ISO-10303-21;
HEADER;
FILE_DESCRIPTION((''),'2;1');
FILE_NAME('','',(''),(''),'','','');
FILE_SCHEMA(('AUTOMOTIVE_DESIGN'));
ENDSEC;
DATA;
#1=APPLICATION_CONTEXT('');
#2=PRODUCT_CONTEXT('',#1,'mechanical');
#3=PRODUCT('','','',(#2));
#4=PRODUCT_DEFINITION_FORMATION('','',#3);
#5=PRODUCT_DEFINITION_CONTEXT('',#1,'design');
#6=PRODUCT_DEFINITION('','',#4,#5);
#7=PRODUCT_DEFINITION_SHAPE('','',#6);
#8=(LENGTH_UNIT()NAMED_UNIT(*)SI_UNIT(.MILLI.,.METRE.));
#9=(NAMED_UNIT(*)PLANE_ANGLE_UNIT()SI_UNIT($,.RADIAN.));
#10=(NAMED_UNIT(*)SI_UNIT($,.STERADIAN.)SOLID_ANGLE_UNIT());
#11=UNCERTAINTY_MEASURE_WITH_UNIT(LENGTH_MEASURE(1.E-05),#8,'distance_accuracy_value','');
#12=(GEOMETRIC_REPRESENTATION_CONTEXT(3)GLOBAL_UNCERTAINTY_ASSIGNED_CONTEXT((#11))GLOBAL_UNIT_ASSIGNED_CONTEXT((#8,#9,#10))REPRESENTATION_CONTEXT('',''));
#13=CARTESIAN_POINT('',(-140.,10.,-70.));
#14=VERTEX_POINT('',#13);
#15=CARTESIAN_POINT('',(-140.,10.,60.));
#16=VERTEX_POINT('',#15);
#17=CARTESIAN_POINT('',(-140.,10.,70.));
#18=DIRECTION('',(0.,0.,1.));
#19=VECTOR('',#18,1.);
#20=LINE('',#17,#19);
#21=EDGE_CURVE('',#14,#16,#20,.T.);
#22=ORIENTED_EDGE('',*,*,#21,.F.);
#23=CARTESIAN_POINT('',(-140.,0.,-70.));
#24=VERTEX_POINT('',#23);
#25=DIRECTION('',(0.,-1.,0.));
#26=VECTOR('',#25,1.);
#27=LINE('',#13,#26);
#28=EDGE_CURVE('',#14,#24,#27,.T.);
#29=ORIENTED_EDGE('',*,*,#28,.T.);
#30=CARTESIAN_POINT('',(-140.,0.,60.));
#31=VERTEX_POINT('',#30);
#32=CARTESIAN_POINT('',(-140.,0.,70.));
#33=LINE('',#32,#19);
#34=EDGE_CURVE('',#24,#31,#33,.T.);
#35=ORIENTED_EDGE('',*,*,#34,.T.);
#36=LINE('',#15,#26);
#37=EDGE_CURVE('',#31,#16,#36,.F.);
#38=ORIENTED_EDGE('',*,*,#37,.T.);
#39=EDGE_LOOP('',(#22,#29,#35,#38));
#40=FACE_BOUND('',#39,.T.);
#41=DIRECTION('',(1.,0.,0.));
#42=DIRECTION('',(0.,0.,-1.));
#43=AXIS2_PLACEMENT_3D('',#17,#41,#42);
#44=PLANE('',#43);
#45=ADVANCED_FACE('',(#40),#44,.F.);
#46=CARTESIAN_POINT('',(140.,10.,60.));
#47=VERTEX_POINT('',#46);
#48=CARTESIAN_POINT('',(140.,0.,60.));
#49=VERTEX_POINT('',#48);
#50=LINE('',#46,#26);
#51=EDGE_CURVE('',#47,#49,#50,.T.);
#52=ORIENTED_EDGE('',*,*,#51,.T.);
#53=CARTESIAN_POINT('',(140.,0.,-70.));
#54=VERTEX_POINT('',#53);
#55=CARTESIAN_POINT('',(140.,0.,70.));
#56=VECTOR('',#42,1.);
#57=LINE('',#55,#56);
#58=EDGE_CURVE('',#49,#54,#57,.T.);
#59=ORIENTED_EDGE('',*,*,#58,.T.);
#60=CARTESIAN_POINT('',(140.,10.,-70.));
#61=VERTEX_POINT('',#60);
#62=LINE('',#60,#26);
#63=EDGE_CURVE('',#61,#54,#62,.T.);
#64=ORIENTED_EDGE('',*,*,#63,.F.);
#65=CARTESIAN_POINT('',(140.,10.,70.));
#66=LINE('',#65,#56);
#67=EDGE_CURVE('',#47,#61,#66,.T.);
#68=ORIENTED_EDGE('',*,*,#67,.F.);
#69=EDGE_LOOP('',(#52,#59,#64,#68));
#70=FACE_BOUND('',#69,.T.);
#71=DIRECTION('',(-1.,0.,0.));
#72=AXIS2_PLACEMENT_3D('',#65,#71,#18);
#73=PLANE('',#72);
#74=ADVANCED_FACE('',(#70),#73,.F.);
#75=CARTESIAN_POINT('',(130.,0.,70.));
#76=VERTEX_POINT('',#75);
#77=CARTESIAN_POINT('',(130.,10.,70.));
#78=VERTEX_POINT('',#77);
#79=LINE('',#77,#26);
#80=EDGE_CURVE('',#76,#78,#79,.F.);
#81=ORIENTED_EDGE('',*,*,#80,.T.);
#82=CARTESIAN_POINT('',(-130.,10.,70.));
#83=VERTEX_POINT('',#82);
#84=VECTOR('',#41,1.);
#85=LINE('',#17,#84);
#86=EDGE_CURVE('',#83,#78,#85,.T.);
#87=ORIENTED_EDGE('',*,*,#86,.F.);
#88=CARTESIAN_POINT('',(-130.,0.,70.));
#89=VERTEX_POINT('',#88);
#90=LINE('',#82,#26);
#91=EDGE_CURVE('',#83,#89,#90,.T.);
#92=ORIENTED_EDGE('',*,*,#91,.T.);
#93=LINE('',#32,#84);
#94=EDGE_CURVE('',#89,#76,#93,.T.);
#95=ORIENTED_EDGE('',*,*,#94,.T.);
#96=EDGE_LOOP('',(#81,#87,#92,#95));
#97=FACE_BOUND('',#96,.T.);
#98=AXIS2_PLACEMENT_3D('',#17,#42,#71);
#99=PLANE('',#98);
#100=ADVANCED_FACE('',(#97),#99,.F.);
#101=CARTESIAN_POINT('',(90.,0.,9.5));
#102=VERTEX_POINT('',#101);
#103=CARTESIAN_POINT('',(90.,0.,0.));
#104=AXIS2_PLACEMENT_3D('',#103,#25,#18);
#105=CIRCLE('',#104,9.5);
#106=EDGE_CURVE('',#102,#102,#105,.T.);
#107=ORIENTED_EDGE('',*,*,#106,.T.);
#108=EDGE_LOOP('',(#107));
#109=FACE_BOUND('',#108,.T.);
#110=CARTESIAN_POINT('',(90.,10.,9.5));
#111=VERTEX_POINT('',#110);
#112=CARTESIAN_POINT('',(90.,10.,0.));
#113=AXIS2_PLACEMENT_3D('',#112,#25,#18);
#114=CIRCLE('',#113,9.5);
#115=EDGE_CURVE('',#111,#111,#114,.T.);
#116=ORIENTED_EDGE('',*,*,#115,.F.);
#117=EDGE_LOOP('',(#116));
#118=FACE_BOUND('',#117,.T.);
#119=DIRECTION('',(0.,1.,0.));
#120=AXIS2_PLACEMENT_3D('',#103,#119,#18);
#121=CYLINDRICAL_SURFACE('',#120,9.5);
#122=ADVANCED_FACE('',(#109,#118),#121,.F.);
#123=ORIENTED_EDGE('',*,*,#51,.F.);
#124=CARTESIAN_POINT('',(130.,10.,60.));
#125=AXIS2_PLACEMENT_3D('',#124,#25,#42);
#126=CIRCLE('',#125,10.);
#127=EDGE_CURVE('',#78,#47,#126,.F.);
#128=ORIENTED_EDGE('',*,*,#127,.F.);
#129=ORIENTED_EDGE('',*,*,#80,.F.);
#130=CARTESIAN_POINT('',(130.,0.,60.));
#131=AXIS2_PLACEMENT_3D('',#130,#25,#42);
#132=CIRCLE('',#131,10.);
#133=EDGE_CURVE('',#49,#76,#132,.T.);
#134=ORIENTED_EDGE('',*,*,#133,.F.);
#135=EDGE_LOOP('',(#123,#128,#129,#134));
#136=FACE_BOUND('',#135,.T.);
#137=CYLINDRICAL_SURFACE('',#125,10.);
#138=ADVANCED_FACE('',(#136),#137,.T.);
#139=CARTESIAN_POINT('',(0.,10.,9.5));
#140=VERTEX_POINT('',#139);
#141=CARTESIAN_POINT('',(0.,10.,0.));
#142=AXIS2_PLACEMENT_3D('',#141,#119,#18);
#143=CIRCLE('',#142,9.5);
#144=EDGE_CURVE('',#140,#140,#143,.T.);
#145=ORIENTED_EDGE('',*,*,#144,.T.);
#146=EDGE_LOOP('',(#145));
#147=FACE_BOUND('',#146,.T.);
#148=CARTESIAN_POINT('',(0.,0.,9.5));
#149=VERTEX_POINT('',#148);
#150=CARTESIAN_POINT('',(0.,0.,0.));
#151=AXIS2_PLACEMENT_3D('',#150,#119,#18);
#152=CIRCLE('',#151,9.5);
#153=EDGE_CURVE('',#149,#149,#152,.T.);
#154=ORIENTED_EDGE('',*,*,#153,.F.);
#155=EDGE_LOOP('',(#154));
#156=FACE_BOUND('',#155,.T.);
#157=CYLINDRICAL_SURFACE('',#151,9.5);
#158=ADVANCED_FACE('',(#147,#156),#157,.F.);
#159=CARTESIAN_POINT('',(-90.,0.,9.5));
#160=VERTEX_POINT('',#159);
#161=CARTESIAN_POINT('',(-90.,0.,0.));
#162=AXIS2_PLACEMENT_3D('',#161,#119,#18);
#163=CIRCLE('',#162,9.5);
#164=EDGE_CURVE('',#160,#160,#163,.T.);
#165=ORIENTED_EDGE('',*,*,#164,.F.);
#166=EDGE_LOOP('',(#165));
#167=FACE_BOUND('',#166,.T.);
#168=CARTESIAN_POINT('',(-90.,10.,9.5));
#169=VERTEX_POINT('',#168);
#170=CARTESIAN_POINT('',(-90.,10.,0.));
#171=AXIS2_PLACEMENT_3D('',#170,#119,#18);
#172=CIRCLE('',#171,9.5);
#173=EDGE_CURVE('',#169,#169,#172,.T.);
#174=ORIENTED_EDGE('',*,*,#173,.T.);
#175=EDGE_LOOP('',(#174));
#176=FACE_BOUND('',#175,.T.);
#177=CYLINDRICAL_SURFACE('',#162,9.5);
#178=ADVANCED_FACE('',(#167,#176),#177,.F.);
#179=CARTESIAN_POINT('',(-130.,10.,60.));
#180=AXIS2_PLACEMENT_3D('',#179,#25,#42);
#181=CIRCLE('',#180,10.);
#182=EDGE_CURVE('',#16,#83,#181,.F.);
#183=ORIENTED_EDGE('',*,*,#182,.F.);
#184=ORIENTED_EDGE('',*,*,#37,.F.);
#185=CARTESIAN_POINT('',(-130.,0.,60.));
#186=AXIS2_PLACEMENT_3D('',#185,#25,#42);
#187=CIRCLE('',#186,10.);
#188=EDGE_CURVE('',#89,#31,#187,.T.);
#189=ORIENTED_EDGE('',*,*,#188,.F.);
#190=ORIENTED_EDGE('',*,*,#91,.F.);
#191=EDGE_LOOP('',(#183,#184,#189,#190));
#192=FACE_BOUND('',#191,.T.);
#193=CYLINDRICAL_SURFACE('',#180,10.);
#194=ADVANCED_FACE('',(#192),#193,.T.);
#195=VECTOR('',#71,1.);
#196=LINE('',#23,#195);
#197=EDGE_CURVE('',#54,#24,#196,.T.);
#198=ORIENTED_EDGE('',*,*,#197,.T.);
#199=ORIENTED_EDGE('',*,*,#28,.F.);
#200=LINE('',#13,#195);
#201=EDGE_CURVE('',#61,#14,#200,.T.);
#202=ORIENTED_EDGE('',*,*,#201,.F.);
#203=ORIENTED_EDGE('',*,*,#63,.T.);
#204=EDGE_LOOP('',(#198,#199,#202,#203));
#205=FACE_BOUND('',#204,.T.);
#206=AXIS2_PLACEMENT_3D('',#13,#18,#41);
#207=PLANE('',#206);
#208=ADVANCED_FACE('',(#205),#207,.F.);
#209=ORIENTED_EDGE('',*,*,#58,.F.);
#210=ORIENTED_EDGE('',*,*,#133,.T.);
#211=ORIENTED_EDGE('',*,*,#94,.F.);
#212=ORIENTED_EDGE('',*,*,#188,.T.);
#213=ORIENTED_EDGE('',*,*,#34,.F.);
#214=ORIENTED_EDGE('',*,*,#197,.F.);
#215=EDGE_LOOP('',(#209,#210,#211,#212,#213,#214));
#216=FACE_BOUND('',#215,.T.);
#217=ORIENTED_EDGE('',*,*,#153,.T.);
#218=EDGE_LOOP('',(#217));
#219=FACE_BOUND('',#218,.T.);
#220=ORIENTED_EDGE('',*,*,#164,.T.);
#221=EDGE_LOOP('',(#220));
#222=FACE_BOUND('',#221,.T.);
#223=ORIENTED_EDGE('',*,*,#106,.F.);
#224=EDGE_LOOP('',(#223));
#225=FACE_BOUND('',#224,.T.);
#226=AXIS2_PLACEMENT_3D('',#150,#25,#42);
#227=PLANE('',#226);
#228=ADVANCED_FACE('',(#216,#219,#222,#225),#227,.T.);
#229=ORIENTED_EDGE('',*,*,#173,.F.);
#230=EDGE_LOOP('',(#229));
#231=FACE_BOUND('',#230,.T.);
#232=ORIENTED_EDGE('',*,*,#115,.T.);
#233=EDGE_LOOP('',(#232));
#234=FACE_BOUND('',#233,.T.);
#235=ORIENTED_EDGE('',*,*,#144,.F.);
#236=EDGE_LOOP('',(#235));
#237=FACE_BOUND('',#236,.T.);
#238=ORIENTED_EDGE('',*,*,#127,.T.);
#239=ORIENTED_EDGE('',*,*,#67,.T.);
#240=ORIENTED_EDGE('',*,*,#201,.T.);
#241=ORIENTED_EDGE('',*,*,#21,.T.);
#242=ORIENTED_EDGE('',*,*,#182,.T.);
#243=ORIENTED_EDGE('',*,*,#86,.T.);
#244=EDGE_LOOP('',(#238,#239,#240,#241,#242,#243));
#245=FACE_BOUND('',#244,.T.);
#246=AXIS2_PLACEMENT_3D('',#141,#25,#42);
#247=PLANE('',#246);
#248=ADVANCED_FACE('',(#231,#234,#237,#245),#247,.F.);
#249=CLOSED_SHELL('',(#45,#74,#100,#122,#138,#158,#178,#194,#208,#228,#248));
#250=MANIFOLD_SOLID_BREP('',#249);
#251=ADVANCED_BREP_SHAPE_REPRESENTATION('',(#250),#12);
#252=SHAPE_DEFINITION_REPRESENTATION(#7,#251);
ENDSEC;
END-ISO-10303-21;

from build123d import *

# Parameters (mm, degrees)
SKETCH1_W           = 280
SKETCH1_H           = 140
BOSS_EXTRUDE1_DEPTH = 10
SKETCH2_R           = 9.5
CUT_EXTRUDE1_DEPTH  = 10
FILLET1_R           = 10


with BuildPart() as part:
    # Sketch1 → Boss-Extrude1 (new body)
    with BuildSketch(Plane(origin=(0, 0, 0), x_dir=(1, 0, 0), z_dir=(0, 1, 0))):
        Rectangle(SKETCH1_W, SKETCH1_H)
    extrude(amount=BOSS_EXTRUDE1_DEPTH)

    # Sketch2 → Cut-Extrude1 (cut)
    with BuildSketch(Plane(origin=(0, 10, 0), x_dir=(1, 0, 0), z_dir=(0, 1, 0))):
        with Locations(Location((-90, 0, 0), (0, 0, 270))):
            Circle(SKETCH2_R)
        with Locations(Location((0, 0, 0), (0, 0, 270))):
            Circle(SKETCH2_R)
    cut_extrude1 = extrude(amount=-CUT_EXTRUDE1_DEPTH, mode=Mode.SUBTRACT)

    # Mirror1: Cut-Extrude1 across plane
    add(cut_extrude1.mirror(Plane(origin=(0, 0, 0), x_dir=(0, 0, 1), z_dir=(1, 0, 0))), mode=Mode.SUBTRACT)

    # Fillet1
    fillet1_edges = [part.edges().sort_by_distance(p)[0] for p in [
        (140, 5, 70),
        (-140, 5, 70),
    ]]
    fillet(fillet1_edges, radius=FILLET1_R)


solid = part.part
